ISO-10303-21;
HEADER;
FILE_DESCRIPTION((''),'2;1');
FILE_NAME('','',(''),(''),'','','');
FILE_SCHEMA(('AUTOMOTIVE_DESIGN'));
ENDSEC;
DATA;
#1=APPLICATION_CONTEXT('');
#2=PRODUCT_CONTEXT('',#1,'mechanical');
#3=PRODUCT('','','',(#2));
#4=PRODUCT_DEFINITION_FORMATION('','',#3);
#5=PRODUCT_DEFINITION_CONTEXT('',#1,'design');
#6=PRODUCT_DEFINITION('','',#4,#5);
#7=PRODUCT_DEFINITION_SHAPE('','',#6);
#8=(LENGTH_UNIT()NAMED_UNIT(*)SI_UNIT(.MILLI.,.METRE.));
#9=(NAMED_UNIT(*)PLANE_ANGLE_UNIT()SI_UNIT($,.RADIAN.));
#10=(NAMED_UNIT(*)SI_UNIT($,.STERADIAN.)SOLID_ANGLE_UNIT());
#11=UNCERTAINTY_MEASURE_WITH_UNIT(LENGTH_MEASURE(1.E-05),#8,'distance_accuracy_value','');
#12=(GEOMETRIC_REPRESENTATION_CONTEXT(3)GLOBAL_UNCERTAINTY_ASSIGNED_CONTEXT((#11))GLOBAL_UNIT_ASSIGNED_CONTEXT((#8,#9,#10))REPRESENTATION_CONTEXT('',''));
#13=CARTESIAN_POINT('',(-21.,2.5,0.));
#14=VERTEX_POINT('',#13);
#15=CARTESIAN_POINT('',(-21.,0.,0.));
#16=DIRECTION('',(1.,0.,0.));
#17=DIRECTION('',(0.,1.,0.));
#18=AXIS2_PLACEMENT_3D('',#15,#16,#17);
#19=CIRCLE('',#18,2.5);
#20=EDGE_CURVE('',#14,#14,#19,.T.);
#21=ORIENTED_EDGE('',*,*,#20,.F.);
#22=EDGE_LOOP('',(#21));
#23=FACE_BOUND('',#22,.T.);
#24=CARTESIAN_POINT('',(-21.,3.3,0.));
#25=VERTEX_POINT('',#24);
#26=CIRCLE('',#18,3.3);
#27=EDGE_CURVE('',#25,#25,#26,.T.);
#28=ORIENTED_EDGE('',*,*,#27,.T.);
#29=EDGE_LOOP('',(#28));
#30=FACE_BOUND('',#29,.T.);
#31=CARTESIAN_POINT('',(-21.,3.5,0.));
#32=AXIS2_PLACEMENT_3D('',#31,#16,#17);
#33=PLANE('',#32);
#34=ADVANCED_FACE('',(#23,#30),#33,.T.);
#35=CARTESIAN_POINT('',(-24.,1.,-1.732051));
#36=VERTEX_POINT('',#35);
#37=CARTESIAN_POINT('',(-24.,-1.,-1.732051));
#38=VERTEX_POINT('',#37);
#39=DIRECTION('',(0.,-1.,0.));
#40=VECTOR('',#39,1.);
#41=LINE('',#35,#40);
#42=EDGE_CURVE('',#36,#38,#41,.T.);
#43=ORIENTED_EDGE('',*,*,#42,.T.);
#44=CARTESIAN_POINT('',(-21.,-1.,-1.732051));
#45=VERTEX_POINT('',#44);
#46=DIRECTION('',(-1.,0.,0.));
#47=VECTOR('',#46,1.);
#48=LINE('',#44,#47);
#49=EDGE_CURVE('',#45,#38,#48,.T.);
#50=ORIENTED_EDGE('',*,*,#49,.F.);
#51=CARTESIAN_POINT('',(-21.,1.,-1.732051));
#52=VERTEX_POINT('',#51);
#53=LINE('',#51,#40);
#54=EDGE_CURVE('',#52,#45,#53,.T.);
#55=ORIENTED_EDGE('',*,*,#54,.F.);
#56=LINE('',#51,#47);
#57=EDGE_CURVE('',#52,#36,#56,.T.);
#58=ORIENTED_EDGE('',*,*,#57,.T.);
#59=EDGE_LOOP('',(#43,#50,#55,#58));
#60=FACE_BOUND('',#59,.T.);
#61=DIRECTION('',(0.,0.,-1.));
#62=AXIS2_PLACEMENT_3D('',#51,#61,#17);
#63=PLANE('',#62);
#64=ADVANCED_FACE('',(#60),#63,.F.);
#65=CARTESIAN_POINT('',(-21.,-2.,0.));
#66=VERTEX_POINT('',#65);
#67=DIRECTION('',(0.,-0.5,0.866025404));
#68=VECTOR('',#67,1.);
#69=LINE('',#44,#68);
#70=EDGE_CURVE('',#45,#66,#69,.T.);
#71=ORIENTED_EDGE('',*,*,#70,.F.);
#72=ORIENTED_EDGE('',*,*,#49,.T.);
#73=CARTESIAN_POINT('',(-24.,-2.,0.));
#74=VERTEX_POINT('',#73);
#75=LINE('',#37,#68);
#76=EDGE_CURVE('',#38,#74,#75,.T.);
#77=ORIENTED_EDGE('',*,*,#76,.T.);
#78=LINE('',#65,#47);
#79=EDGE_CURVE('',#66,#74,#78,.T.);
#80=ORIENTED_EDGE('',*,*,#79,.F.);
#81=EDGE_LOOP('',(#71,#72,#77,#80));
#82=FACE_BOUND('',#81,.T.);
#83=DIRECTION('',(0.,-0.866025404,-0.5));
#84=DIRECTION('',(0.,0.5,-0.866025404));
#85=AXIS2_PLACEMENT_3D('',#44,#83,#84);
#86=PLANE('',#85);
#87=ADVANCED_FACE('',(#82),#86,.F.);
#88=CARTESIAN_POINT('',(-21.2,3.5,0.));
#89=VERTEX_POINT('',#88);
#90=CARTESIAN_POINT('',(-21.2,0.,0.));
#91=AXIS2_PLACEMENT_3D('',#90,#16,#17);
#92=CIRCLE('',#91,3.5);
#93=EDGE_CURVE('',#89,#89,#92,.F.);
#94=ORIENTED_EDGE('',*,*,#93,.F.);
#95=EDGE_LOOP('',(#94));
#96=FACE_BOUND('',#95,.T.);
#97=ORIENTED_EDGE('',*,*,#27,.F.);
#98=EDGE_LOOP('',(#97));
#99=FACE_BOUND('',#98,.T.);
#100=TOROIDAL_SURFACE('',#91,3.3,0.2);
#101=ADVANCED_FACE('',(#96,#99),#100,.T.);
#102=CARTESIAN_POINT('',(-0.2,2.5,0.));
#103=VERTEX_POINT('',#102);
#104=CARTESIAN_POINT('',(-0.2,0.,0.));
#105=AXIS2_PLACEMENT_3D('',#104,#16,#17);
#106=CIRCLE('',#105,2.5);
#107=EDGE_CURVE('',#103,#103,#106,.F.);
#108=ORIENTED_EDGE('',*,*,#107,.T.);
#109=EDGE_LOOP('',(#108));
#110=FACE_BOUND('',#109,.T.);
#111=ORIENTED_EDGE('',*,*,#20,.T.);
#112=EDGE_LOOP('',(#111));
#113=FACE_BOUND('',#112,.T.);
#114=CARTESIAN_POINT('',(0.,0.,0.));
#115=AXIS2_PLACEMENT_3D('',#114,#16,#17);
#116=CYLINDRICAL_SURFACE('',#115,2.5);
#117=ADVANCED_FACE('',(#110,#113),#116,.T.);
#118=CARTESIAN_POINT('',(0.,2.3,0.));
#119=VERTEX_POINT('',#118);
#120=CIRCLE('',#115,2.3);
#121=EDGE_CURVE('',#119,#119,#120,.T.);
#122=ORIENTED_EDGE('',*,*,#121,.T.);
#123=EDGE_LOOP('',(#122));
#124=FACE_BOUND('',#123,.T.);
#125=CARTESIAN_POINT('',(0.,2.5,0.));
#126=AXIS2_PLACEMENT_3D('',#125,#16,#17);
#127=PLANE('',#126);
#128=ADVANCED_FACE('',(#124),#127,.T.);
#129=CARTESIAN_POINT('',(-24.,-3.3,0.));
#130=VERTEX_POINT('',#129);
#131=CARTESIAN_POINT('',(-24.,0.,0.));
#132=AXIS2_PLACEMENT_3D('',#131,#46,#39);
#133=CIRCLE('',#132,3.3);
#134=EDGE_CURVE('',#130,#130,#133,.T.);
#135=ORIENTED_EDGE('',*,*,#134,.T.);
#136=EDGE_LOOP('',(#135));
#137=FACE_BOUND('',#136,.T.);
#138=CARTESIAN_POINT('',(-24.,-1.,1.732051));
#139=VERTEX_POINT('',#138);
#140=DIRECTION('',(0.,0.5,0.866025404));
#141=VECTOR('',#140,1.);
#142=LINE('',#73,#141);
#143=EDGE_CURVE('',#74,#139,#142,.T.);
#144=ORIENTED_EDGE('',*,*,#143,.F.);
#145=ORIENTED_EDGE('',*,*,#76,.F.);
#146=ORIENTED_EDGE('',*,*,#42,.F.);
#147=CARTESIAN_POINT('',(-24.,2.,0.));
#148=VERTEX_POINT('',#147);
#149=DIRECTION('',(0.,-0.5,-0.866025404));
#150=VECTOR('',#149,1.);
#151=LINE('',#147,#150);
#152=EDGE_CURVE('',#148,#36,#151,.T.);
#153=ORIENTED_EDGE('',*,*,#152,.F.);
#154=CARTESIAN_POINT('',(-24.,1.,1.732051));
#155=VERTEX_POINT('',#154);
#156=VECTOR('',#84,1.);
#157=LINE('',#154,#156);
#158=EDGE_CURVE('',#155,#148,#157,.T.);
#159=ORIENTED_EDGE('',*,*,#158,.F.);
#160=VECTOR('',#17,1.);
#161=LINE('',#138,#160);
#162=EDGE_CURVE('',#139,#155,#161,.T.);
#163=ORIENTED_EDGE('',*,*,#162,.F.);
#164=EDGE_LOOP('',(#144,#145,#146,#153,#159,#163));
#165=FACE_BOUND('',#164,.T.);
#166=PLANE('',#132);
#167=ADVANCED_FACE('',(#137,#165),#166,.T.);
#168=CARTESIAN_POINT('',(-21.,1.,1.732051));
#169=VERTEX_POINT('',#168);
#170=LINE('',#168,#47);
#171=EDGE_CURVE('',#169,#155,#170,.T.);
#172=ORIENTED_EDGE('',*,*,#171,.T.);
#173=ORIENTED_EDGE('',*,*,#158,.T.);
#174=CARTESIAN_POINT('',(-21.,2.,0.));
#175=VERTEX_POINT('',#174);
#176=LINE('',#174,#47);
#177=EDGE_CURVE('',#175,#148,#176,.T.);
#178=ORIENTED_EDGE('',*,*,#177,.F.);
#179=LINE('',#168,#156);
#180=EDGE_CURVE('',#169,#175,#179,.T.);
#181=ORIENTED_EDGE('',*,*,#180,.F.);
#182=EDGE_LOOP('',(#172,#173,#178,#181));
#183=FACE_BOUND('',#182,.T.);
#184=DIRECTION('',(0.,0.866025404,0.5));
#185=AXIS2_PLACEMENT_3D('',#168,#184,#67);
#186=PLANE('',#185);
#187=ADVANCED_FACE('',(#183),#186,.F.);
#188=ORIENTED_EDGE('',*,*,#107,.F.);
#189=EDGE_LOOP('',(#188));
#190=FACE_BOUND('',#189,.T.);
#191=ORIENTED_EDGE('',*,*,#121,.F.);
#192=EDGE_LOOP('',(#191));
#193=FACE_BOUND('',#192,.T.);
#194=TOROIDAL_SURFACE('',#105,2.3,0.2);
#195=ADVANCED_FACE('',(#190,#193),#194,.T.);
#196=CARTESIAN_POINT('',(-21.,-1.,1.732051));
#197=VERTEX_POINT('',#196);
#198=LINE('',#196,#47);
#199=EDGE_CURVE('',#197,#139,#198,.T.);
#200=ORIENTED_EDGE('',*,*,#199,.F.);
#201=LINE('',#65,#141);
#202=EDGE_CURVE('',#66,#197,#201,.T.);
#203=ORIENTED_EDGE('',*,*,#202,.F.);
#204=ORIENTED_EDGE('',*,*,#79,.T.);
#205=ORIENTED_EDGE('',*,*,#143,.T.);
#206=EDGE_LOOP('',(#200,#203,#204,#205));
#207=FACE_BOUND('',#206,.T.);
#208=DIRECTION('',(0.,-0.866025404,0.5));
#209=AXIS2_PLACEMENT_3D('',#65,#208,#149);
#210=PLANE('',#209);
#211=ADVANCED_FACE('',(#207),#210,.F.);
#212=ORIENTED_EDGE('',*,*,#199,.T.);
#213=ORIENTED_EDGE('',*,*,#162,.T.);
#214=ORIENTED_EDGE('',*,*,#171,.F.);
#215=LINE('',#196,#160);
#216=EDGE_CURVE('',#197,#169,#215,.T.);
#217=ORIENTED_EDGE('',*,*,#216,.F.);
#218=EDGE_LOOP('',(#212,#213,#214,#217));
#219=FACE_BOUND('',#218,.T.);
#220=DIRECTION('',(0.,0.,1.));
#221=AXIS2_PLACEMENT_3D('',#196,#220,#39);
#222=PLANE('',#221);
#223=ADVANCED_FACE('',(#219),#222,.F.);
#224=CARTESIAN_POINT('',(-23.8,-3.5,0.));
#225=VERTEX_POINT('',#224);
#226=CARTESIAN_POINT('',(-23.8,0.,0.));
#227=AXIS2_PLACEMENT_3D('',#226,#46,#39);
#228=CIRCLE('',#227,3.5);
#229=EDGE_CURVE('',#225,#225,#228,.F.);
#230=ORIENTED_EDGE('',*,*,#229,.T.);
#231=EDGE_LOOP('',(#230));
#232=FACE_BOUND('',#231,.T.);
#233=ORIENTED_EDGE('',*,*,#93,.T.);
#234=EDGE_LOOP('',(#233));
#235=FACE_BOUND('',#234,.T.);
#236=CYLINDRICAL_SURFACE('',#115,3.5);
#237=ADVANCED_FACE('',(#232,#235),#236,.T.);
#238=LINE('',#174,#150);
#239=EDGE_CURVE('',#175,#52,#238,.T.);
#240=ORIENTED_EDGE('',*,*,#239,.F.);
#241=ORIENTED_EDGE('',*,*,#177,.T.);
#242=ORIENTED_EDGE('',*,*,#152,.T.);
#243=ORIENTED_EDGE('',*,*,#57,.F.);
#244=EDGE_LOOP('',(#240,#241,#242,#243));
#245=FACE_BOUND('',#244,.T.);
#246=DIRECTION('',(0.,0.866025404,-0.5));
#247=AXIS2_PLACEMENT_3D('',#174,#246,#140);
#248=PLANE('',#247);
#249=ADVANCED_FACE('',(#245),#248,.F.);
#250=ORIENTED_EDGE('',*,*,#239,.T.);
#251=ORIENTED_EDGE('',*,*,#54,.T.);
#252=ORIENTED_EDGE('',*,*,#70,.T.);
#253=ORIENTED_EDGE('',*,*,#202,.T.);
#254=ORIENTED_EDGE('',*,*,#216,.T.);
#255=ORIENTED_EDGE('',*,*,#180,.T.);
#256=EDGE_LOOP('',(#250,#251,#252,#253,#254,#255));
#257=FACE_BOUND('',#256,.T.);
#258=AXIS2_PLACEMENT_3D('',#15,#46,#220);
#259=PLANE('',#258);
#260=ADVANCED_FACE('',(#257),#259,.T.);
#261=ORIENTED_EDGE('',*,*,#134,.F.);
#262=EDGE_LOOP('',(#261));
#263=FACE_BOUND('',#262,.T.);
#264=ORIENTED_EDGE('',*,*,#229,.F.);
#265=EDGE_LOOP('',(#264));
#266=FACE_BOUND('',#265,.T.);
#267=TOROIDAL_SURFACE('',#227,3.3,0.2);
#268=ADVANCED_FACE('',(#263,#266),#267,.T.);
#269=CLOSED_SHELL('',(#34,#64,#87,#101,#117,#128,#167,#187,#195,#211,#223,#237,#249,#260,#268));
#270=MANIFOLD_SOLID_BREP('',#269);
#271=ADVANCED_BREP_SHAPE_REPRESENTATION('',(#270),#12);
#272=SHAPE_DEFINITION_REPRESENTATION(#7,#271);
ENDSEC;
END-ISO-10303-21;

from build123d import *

# Parameters (mm, degrees)
FILLET1_R          = 0.2
CUT_EXTRUDE1_DEPTH = 3


with BuildPart() as part:
    # Sketch1 → Revolve1 (revolve)
    with BuildSketch(Plane.XY):
        Polygon((0, 0), (-24, 0), (-24, 3.5), (-21, 3.5), (-21, 2.5), (0, 2.5), align=None)
    revolve(axis=Axis((0, 0, 0), (-1, 0, 0)))

    # Fillet1
    fillet1_edges = [part.edges().sort_by_distance(p)[0] for p in [
        (0, -2.5, 0),
        (-21, -3.5, 0),
        (-24, -3.5, 0),
    ]]
    fillet(fillet1_edges, radius=FILLET1_R)

    # Sketch2 → Cut-Extrude1 (cut)
    with BuildSketch(Plane.ZY.offset(24)):
        Polygon((0, 2), (-1.732050808, 1), (-1.732050808, -1), (0, -2), (1.732050808, -1), (1.732050808, 1), align=None)
    extrude(amount=-CUT_EXTRUDE1_DEPTH, mode=Mode.SUBTRACT)


solid = part.part
